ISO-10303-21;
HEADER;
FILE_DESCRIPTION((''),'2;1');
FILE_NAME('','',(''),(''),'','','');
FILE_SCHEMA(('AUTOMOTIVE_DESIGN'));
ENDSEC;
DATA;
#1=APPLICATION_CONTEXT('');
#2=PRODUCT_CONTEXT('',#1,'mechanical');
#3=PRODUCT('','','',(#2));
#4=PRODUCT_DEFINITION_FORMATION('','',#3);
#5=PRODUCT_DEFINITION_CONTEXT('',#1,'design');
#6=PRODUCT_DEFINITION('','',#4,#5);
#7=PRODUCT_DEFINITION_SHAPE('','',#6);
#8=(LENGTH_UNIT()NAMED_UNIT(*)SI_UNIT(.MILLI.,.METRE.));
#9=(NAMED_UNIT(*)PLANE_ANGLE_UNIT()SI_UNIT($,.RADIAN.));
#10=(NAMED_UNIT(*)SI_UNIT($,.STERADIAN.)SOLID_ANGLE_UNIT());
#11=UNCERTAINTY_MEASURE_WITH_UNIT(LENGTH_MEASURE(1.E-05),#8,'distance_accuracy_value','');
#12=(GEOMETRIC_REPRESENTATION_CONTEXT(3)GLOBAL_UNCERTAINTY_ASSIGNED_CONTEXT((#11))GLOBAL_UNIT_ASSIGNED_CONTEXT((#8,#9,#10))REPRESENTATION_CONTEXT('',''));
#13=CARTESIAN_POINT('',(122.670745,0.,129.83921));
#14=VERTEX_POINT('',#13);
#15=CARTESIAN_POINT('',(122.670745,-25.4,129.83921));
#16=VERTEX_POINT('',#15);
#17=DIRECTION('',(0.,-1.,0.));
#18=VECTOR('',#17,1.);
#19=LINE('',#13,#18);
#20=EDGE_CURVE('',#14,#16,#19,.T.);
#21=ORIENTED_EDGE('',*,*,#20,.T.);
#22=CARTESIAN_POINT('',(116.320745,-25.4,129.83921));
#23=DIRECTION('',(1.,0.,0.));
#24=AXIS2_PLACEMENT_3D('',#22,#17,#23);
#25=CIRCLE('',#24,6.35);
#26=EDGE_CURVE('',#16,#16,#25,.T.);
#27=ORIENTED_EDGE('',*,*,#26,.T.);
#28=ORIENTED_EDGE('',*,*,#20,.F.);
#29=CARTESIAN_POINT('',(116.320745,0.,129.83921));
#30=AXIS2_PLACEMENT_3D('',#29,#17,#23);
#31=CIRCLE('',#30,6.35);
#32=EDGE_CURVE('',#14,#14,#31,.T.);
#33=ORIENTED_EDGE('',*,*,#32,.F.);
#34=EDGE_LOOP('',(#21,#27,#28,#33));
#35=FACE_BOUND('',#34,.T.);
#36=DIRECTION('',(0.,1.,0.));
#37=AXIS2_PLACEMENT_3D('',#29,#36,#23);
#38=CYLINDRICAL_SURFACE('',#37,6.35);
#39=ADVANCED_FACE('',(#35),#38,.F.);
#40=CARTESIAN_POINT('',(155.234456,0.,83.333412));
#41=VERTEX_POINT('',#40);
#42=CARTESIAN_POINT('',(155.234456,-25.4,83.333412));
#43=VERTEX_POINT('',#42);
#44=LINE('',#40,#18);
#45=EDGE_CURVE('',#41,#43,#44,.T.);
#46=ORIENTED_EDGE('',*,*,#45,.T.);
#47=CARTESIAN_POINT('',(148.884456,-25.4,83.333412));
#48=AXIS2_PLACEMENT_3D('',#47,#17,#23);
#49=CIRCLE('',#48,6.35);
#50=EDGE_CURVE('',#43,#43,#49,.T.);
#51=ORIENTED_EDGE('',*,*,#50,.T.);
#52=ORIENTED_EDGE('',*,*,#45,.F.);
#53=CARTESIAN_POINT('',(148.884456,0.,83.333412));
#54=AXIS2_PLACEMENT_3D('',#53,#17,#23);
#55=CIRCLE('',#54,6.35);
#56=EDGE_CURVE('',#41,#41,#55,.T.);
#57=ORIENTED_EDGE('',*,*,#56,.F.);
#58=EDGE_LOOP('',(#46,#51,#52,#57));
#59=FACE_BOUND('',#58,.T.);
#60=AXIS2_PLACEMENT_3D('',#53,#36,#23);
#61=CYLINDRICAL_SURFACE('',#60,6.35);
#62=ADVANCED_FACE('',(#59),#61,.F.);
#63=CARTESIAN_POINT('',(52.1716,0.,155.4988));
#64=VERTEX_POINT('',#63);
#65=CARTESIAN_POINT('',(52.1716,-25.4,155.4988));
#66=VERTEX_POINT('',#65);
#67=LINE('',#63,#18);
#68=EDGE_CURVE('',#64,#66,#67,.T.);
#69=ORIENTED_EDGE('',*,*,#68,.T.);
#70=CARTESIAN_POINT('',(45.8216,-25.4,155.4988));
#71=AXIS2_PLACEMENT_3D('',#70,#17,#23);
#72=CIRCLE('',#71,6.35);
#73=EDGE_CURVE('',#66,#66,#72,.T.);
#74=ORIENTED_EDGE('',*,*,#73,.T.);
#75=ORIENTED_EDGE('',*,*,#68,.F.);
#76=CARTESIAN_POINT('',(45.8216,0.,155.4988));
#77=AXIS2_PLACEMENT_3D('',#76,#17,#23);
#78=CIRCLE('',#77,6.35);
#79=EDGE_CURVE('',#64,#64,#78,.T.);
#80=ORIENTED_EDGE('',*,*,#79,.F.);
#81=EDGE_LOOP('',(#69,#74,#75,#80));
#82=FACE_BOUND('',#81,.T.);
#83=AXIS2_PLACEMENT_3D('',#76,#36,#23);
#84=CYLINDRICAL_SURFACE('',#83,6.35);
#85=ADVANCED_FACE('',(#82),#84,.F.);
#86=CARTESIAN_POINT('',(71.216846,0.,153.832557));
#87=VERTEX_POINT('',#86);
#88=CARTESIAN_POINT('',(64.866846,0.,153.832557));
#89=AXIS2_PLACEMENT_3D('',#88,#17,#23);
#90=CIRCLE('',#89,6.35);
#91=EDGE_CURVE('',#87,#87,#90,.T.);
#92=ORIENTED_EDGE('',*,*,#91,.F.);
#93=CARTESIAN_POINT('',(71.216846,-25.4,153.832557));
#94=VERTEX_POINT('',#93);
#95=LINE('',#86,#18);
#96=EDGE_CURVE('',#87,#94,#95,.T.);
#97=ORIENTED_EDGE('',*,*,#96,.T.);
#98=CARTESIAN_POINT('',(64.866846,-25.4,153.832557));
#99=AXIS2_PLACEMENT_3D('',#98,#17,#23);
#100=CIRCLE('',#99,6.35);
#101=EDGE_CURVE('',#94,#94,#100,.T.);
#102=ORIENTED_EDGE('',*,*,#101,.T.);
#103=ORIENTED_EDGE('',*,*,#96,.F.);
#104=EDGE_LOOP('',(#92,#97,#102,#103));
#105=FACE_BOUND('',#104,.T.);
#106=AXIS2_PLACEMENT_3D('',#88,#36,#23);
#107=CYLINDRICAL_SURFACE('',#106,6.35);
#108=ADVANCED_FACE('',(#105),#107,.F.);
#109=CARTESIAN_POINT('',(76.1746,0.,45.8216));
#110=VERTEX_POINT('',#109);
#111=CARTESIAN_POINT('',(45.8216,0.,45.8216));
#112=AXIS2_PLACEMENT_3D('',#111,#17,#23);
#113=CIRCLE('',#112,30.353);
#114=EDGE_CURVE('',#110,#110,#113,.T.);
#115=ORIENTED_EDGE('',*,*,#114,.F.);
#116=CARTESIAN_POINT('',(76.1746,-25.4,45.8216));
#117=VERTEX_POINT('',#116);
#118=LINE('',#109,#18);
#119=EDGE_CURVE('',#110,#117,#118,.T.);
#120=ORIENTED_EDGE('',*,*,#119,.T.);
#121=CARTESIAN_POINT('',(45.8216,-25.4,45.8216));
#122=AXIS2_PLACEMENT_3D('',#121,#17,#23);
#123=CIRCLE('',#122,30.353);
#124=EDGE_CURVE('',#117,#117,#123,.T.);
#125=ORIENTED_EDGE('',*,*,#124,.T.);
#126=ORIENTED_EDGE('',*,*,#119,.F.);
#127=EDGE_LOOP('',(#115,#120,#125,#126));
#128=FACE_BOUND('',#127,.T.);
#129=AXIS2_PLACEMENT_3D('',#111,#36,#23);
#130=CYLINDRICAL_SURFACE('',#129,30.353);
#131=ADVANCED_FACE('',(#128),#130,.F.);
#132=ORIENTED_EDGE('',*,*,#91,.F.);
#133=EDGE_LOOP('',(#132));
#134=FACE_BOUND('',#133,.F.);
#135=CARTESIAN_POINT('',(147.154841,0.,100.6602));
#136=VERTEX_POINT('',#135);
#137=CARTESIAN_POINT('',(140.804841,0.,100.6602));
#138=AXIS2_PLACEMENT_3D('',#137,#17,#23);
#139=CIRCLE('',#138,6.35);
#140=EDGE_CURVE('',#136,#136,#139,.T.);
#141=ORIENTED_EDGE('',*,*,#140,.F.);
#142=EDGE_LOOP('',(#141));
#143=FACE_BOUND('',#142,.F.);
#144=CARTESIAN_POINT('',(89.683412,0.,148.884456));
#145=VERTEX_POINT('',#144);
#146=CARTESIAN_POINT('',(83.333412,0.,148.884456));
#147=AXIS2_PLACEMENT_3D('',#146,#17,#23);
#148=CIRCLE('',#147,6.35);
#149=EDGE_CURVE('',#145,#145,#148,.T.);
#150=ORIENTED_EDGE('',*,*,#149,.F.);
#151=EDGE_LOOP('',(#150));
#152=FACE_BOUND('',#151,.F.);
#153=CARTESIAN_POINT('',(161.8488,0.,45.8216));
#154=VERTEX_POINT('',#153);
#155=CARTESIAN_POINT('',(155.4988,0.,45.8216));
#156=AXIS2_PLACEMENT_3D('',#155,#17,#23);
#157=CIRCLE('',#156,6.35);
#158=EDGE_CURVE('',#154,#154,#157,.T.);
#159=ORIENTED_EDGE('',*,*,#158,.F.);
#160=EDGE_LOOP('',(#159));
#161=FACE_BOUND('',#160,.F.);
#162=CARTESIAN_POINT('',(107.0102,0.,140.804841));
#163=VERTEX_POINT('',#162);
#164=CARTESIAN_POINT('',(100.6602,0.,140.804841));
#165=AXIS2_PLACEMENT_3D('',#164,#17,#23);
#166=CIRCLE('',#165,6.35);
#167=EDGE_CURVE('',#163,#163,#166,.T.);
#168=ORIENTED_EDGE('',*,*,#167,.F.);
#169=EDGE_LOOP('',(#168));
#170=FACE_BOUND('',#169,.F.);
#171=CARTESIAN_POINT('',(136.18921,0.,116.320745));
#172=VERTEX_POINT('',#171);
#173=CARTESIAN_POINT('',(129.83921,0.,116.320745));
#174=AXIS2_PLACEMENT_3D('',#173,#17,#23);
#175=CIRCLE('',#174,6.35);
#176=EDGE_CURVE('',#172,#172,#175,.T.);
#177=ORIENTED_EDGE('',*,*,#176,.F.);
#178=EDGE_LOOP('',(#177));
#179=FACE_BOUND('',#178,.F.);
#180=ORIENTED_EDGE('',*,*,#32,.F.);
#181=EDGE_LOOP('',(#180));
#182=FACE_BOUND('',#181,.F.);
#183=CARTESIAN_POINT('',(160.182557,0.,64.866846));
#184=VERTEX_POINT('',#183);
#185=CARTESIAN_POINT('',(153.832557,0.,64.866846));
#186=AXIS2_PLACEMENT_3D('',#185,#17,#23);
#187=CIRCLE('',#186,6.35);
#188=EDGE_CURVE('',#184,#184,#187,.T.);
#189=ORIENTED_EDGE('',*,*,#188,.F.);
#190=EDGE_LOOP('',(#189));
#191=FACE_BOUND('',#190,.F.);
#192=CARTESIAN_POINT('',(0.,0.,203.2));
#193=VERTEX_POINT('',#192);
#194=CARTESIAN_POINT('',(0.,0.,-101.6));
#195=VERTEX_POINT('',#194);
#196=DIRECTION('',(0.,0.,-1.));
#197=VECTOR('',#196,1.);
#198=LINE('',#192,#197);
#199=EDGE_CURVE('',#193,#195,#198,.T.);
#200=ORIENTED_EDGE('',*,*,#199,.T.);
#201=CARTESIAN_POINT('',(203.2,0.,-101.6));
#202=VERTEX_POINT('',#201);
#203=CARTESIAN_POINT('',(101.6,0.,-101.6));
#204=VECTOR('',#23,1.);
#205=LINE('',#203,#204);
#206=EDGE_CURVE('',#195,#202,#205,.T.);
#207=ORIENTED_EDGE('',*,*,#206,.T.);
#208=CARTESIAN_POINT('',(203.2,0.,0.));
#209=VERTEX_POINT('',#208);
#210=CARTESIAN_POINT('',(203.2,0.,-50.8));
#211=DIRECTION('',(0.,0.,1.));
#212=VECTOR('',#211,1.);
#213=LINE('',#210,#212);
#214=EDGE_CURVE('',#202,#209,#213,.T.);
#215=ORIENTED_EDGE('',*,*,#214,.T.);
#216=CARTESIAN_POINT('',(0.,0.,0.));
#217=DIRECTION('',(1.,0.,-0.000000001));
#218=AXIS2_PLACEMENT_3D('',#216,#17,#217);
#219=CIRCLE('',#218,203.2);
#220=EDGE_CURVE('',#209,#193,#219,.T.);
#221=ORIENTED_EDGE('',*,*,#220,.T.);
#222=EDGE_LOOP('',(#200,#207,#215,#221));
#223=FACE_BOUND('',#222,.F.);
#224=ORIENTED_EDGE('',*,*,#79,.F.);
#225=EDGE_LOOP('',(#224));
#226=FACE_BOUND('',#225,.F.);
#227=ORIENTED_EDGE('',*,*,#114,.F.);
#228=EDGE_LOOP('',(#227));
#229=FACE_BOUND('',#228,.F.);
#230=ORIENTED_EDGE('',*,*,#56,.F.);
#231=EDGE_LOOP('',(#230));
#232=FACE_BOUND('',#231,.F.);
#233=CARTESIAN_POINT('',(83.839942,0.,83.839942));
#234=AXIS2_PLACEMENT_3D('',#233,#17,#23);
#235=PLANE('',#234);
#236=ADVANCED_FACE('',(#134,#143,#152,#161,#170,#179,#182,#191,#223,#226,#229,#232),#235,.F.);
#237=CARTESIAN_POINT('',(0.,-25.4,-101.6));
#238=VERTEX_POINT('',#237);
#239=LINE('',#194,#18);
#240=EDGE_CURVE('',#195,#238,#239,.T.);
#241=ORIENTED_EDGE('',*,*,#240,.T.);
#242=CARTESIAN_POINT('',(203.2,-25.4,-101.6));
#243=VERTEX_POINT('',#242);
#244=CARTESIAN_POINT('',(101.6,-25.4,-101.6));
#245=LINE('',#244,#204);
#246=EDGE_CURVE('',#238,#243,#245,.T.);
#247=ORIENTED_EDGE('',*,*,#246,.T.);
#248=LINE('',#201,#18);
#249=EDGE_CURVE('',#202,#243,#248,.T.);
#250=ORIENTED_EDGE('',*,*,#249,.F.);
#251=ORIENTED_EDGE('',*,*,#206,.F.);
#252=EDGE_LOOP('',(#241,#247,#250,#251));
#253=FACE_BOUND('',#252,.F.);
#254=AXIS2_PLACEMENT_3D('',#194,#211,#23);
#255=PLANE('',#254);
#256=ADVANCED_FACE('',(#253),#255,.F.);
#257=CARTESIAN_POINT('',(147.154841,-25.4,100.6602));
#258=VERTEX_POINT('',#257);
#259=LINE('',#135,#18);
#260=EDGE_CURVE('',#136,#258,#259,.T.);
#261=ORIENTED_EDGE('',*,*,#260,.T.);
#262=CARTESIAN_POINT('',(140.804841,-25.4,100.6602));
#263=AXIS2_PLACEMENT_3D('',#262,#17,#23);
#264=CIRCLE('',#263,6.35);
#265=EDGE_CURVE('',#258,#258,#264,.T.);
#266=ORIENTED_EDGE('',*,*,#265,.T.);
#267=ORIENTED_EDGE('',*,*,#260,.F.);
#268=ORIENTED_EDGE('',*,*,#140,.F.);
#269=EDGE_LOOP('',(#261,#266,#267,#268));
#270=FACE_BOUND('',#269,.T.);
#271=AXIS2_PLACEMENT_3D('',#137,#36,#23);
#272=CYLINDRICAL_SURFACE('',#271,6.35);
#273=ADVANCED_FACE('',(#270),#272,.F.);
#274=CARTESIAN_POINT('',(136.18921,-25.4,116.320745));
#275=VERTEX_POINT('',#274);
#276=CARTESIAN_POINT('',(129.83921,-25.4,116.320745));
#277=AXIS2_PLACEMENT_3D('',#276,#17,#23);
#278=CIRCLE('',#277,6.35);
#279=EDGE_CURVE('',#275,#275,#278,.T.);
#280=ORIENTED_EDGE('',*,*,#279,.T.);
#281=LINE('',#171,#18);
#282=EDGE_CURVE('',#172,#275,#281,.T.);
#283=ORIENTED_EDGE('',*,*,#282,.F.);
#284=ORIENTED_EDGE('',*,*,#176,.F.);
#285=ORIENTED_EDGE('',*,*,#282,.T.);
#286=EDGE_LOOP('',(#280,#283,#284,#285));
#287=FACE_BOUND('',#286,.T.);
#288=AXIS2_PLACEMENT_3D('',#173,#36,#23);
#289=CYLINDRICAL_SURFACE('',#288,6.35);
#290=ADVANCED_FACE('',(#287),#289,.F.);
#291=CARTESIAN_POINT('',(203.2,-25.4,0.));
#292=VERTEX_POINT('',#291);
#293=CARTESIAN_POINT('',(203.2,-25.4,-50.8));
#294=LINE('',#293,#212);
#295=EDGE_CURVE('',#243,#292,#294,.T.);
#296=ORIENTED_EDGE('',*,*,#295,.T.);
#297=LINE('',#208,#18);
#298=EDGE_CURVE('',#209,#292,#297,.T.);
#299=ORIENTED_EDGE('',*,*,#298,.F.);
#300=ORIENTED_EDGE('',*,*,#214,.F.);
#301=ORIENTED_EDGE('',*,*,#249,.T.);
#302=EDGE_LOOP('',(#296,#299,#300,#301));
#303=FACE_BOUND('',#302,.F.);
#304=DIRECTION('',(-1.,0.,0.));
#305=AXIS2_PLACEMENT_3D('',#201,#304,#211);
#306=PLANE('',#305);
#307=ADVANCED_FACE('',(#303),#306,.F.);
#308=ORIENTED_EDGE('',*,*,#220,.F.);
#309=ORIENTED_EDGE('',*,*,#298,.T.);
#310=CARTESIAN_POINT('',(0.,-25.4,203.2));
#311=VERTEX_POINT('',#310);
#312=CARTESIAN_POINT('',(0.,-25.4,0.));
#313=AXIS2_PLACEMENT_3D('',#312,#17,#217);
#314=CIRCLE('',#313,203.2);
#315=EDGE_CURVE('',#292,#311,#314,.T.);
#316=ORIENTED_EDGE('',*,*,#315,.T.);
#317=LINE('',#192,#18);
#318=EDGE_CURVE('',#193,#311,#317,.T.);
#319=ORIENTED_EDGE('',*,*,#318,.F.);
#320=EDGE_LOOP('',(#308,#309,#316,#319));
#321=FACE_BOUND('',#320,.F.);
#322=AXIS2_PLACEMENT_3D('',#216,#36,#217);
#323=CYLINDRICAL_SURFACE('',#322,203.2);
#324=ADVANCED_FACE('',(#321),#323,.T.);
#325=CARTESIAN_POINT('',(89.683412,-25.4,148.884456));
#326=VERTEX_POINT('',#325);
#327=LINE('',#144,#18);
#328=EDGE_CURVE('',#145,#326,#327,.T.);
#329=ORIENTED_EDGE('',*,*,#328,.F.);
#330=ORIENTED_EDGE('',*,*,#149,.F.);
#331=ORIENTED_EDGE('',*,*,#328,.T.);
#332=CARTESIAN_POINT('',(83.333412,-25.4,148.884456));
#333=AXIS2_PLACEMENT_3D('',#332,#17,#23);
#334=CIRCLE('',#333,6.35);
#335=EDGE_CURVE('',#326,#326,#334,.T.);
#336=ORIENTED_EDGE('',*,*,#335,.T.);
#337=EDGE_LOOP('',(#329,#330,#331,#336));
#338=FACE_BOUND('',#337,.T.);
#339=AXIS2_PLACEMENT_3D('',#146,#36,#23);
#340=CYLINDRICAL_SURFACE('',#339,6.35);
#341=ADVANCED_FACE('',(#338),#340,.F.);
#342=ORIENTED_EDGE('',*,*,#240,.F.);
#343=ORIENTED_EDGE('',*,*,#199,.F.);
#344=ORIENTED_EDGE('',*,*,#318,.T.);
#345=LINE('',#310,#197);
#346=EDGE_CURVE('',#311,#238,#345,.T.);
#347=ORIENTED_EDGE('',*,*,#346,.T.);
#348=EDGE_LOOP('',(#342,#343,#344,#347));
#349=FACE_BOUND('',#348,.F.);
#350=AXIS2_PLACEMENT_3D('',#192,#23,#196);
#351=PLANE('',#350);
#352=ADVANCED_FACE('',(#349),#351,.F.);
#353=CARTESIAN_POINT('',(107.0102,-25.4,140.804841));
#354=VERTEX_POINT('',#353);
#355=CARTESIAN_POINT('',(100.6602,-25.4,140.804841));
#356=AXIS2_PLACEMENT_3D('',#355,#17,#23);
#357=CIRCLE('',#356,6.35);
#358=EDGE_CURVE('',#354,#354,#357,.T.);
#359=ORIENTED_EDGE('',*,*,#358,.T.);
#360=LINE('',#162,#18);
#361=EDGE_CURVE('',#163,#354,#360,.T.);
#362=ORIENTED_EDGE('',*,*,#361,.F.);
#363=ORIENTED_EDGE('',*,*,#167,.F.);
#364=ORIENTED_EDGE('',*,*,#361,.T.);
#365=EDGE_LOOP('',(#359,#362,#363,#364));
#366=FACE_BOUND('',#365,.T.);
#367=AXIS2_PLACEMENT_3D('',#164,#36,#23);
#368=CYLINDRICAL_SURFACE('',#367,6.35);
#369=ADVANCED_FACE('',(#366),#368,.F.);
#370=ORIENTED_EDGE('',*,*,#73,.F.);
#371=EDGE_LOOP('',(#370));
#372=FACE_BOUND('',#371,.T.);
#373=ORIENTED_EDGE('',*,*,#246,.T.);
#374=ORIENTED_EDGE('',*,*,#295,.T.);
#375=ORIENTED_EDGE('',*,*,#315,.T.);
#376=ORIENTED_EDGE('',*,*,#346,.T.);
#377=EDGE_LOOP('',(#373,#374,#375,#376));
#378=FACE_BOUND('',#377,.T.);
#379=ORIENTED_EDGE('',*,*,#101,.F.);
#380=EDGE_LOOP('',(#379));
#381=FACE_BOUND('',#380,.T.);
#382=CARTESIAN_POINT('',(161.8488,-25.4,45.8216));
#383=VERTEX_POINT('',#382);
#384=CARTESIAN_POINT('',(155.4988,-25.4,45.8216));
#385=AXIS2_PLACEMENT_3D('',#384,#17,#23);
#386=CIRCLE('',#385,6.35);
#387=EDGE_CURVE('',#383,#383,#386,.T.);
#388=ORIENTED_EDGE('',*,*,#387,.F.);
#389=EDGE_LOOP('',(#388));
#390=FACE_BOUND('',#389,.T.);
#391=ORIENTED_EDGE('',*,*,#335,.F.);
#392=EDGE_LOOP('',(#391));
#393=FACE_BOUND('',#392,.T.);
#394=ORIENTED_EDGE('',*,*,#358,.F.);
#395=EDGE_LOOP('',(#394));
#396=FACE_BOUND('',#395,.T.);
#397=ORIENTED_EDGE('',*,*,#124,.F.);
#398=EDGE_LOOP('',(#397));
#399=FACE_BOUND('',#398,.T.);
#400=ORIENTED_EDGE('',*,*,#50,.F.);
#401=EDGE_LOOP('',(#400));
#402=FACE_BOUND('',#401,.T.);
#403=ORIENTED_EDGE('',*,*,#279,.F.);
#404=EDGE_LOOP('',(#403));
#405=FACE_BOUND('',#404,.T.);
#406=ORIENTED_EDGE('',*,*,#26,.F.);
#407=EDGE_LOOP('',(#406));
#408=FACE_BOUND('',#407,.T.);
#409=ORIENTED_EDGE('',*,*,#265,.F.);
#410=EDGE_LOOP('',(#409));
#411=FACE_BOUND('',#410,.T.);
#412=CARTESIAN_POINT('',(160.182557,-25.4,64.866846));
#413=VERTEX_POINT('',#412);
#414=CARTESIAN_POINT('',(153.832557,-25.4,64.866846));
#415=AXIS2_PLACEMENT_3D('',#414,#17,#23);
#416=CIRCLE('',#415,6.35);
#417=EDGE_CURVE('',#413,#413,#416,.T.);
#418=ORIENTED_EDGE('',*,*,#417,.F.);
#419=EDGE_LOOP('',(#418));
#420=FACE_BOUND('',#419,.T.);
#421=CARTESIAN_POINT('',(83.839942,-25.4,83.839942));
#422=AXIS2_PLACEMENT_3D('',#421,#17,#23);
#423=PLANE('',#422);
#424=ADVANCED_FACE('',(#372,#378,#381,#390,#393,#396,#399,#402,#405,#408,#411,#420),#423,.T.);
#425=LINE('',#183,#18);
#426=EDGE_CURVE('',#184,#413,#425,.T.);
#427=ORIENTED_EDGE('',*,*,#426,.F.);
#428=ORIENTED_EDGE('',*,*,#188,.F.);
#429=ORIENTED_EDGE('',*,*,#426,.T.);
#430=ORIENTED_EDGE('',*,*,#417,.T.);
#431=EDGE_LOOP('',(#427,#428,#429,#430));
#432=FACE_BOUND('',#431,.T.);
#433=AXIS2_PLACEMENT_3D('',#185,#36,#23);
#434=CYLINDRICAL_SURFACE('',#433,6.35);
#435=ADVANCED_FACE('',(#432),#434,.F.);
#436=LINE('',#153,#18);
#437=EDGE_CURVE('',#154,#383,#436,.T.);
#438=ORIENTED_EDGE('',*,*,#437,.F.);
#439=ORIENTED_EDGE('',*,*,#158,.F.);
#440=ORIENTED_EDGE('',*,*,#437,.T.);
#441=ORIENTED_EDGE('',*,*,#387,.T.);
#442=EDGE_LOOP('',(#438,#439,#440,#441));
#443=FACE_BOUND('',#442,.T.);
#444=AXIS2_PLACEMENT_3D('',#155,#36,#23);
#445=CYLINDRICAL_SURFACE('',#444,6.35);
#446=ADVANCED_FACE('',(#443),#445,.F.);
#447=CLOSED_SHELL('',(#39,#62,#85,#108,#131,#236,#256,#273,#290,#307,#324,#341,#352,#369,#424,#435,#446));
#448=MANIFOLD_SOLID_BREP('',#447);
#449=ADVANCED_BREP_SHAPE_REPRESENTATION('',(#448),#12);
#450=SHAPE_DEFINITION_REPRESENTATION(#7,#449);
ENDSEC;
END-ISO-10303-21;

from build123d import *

# Parameters (mm, degrees)
F2_R     = 30.353
F2_R_2   = 6.35
F2_W     = 203.2
F2_H     = 101.6
F3_DEPTH = 25.4


with BuildPart() as f3:
    # F2 (on Front) → F3 (new body)
    with BuildSketch(Plane.XZ):
        with BuildLine():
            Line((0, 203.2), (0, 0))
            Line((0, 0), (203.2, 0))
            ThreePointArc((203.2, 0), (143.684098, 143.684098), (0, 203.2))
        make_face()
        with Locations((45.8216, 45.8216)):
            Circle(F2_R, mode=Mode.SUBTRACT)
        with Locations((155.4988, 45.8216)):
            Circle(F2_R_2, mode=Mode.SUBTRACT)
        with Locations((45.8216, 155.4988)):
            Circle(F2_R_2, mode=Mode.SUBTRACT)
        with Locations((64.866846, 153.832557)):
            Circle(F2_R_2, mode=Mode.SUBTRACT)
        with Locations((100.6602, 140.804841)):
            Circle(F2_R_2, mode=Mode.SUBTRACT)
        with Locations((83.333412, 148.884456)):
            Circle(F2_R_2, mode=Mode.SUBTRACT)
        with Locations((148.884456, 83.333412)):
            Circle(F2_R_2, mode=Mode.SUBTRACT)
        with Locations((140.804841, 100.6602)):
            Circle(F2_R_2, mode=Mode.SUBTRACT)
        with Locations((129.83921, 116.320745)):
            Circle(F2_R_2, mode=Mode.SUBTRACT)
        with Locations((153.832557, 64.866846)):
            Circle(F2_R_2, mode=Mode.SUBTRACT)
        with Locations((116.320745, 129.83921)):
            Circle(F2_R_2, mode=Mode.SUBTRACT)
        with Locations((101.6, -50.8)):
            Rectangle(F2_W, F2_H)
    extrude(amount=F3_DEPTH)


solid = f3.part
